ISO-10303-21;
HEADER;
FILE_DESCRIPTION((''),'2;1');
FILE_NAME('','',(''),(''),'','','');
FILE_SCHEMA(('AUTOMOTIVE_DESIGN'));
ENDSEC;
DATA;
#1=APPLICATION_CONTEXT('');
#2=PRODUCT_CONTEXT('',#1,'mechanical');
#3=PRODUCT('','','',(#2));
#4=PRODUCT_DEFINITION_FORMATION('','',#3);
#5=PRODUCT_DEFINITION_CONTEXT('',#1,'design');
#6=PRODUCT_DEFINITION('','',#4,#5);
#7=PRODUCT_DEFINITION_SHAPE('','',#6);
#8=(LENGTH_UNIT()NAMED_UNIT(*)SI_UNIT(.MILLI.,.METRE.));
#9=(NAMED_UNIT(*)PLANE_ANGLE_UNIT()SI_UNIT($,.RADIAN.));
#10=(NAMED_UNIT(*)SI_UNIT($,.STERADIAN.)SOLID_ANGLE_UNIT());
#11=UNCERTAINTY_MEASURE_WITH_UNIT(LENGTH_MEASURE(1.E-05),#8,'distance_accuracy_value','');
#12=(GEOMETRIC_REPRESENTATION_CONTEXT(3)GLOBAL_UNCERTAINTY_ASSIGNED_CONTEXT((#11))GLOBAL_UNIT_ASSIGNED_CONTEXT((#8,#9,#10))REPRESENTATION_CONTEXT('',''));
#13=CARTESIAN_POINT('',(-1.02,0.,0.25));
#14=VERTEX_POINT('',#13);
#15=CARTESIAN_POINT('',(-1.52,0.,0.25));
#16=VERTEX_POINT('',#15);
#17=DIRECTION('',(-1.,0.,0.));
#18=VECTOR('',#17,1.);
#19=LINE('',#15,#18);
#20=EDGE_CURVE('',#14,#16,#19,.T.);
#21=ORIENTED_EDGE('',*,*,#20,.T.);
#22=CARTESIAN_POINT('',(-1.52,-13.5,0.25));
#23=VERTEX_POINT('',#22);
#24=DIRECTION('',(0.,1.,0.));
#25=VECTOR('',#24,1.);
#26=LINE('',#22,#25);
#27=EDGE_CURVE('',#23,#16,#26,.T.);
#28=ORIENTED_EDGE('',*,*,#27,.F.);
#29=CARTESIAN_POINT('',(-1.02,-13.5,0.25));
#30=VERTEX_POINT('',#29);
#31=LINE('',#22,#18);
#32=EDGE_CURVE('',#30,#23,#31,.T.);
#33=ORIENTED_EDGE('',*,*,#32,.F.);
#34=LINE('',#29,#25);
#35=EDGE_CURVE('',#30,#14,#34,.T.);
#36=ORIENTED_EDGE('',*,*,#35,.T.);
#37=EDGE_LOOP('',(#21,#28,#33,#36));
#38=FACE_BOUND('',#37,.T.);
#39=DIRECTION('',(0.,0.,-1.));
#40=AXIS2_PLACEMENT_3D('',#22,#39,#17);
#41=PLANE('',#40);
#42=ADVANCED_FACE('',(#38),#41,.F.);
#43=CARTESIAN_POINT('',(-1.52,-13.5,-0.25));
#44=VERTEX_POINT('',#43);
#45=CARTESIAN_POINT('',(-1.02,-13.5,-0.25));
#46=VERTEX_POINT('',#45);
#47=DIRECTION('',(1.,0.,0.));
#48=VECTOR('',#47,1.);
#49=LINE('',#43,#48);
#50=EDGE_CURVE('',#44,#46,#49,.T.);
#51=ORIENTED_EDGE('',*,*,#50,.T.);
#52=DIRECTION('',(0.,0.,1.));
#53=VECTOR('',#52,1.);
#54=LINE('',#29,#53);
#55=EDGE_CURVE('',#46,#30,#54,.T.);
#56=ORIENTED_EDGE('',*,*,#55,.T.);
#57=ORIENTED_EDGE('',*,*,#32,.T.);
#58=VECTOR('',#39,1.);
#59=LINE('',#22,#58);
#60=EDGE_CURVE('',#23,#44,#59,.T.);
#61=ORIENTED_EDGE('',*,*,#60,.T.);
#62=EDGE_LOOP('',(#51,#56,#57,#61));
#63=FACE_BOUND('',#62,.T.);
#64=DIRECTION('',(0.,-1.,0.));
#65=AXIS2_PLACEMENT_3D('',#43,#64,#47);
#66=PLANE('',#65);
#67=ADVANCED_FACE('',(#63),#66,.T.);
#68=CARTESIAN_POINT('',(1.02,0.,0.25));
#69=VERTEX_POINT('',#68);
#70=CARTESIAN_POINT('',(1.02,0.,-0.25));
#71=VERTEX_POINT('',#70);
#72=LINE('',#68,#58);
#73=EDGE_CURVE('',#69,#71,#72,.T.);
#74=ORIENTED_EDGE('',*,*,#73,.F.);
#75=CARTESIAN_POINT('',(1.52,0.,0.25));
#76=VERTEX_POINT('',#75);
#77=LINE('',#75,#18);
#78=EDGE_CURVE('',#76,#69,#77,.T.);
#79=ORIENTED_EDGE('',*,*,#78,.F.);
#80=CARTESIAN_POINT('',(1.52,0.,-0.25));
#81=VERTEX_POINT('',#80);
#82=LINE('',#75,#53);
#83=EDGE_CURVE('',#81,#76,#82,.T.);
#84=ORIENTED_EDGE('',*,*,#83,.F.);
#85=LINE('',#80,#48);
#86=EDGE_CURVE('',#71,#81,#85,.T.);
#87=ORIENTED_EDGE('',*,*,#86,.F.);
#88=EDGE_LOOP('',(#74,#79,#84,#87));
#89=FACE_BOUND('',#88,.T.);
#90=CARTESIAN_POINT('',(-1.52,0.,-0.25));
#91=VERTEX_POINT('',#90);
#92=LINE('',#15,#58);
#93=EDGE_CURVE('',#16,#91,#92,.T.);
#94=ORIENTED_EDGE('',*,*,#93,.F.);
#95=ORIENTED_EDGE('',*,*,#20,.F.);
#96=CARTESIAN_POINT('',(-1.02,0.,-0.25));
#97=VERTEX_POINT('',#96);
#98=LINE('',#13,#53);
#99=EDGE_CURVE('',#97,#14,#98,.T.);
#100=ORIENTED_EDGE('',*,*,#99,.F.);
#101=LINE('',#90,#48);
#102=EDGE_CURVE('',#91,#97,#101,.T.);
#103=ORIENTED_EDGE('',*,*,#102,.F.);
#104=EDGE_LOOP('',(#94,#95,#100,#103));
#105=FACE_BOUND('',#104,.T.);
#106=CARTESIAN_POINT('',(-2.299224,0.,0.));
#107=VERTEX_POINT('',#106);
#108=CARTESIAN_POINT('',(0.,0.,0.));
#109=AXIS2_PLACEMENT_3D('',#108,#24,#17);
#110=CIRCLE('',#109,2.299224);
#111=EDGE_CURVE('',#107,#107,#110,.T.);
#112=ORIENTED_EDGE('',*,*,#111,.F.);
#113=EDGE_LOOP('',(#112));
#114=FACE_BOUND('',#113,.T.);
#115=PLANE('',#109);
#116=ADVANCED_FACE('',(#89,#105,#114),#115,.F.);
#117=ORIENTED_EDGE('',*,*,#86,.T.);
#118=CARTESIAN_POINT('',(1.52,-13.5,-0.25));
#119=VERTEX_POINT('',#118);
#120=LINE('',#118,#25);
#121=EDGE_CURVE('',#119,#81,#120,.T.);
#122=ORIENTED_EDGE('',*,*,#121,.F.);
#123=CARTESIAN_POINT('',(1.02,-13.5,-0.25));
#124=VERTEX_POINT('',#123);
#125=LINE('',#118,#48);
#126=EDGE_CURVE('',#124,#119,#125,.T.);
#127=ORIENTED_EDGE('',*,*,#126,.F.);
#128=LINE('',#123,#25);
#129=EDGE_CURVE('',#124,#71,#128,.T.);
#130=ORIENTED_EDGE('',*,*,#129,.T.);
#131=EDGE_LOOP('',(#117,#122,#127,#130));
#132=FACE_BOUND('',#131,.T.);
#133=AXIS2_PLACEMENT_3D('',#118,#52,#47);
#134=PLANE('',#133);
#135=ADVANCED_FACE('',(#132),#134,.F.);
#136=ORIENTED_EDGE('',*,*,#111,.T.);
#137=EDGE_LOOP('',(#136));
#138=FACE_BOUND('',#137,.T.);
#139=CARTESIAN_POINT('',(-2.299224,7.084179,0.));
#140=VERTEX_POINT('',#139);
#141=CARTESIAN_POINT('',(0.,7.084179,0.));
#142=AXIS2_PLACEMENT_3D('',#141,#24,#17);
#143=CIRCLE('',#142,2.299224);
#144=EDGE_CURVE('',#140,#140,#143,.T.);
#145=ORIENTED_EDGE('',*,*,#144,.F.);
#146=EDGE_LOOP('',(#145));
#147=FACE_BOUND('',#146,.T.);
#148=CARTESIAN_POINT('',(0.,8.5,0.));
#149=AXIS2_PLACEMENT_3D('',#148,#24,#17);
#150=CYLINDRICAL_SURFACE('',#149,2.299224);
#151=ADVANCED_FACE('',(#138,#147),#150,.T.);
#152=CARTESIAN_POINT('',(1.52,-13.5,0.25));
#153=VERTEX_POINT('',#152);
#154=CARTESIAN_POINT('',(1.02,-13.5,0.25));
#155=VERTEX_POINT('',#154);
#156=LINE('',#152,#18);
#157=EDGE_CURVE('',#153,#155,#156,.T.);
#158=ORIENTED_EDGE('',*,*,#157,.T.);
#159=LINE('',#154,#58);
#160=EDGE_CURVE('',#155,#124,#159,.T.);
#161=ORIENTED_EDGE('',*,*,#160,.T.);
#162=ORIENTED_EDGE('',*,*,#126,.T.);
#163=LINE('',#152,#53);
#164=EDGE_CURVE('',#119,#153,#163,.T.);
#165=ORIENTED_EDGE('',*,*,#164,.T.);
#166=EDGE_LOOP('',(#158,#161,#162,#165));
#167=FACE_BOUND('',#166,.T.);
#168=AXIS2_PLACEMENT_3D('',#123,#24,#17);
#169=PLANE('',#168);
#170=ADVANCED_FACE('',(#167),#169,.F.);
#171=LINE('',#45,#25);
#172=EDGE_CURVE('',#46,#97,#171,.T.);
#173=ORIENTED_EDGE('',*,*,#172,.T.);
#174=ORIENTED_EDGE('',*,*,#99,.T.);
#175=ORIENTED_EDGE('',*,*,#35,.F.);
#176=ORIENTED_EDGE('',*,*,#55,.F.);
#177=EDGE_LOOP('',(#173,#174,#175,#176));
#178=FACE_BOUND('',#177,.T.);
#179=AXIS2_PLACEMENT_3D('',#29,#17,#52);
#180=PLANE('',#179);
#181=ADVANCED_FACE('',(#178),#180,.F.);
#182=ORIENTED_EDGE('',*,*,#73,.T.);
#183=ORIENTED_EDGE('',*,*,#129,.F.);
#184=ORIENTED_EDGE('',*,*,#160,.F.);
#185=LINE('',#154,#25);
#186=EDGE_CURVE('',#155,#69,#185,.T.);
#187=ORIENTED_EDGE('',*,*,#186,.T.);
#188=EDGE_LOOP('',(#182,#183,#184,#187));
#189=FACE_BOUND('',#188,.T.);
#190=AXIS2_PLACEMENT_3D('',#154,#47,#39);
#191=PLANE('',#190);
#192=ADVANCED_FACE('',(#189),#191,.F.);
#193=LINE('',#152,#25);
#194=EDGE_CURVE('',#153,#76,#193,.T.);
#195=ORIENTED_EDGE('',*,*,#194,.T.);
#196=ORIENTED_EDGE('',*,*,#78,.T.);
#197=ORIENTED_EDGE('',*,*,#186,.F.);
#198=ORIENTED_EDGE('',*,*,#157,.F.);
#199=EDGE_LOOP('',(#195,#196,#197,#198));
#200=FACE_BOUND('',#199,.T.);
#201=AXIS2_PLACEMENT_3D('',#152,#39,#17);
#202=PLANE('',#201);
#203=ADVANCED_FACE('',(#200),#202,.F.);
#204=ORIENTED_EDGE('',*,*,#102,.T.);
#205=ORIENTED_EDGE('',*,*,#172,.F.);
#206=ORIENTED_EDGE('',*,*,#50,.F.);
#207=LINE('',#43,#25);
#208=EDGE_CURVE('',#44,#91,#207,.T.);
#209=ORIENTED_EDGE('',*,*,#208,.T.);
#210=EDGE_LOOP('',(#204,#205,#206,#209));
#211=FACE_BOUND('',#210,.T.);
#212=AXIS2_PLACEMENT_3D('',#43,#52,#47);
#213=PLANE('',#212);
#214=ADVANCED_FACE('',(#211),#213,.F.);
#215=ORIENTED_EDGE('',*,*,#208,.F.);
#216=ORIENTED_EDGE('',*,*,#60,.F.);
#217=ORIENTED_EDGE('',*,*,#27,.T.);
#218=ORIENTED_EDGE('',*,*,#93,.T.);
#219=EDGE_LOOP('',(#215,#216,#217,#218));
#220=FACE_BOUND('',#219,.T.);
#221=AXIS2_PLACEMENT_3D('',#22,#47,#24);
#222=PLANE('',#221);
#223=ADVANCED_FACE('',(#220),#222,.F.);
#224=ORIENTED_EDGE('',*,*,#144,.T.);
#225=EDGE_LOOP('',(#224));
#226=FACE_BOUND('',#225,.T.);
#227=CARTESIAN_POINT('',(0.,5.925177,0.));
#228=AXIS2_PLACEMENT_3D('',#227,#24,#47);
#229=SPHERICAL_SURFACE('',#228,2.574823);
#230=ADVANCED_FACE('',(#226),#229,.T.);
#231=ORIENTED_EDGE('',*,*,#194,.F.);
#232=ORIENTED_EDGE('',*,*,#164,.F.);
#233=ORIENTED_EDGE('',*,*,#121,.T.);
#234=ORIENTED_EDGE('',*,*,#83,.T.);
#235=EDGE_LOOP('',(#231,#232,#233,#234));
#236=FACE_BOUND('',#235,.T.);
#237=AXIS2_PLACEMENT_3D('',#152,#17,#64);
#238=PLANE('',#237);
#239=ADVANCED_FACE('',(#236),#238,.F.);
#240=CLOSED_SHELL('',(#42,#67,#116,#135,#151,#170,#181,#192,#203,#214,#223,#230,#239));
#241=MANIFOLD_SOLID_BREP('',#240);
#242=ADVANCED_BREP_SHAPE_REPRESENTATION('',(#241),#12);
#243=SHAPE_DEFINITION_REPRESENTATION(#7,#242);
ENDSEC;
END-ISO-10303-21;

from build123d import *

# Parameters (mm, degrees)
CROQUIS2_W              = 0.5
CROQUIS2_H              = 0.5
SALIENTE_EXTRUIR1_DEPTH = 13.5


with BuildPart() as part:
    # Croquis1 → Revolución1 (revolve)
    with BuildSketch(Plane.XY):
        with BuildLine():
            Line((0, 0), (2.299223692, 0))
            Line((2.299223692, 0), (2.299223692, 7.084178562))
            ThreePointArc((2.299223692, 7.084178562), (1.350090731, 8.117657033), (0, 8.5))
            Line((0, 8.5), (0, 0))
        make_face()
    revolve(axis=Axis((0, 8.5, 0), (0, -1, 0)))

    # Croquis2 → Saliente-Extruir1 (add)
    with BuildSketch(Plane.XZ):
        with Locations((1.27, 0)):
            Rectangle(CROQUIS2_W, CROQUIS2_H)
        with Locations((-1.27, 0)):
            Rectangle(CROQUIS2_W, CROQUIS2_H)
    extrude(amount=SALIENTE_EXTRUIR1_DEPTH)


solid = part.part
